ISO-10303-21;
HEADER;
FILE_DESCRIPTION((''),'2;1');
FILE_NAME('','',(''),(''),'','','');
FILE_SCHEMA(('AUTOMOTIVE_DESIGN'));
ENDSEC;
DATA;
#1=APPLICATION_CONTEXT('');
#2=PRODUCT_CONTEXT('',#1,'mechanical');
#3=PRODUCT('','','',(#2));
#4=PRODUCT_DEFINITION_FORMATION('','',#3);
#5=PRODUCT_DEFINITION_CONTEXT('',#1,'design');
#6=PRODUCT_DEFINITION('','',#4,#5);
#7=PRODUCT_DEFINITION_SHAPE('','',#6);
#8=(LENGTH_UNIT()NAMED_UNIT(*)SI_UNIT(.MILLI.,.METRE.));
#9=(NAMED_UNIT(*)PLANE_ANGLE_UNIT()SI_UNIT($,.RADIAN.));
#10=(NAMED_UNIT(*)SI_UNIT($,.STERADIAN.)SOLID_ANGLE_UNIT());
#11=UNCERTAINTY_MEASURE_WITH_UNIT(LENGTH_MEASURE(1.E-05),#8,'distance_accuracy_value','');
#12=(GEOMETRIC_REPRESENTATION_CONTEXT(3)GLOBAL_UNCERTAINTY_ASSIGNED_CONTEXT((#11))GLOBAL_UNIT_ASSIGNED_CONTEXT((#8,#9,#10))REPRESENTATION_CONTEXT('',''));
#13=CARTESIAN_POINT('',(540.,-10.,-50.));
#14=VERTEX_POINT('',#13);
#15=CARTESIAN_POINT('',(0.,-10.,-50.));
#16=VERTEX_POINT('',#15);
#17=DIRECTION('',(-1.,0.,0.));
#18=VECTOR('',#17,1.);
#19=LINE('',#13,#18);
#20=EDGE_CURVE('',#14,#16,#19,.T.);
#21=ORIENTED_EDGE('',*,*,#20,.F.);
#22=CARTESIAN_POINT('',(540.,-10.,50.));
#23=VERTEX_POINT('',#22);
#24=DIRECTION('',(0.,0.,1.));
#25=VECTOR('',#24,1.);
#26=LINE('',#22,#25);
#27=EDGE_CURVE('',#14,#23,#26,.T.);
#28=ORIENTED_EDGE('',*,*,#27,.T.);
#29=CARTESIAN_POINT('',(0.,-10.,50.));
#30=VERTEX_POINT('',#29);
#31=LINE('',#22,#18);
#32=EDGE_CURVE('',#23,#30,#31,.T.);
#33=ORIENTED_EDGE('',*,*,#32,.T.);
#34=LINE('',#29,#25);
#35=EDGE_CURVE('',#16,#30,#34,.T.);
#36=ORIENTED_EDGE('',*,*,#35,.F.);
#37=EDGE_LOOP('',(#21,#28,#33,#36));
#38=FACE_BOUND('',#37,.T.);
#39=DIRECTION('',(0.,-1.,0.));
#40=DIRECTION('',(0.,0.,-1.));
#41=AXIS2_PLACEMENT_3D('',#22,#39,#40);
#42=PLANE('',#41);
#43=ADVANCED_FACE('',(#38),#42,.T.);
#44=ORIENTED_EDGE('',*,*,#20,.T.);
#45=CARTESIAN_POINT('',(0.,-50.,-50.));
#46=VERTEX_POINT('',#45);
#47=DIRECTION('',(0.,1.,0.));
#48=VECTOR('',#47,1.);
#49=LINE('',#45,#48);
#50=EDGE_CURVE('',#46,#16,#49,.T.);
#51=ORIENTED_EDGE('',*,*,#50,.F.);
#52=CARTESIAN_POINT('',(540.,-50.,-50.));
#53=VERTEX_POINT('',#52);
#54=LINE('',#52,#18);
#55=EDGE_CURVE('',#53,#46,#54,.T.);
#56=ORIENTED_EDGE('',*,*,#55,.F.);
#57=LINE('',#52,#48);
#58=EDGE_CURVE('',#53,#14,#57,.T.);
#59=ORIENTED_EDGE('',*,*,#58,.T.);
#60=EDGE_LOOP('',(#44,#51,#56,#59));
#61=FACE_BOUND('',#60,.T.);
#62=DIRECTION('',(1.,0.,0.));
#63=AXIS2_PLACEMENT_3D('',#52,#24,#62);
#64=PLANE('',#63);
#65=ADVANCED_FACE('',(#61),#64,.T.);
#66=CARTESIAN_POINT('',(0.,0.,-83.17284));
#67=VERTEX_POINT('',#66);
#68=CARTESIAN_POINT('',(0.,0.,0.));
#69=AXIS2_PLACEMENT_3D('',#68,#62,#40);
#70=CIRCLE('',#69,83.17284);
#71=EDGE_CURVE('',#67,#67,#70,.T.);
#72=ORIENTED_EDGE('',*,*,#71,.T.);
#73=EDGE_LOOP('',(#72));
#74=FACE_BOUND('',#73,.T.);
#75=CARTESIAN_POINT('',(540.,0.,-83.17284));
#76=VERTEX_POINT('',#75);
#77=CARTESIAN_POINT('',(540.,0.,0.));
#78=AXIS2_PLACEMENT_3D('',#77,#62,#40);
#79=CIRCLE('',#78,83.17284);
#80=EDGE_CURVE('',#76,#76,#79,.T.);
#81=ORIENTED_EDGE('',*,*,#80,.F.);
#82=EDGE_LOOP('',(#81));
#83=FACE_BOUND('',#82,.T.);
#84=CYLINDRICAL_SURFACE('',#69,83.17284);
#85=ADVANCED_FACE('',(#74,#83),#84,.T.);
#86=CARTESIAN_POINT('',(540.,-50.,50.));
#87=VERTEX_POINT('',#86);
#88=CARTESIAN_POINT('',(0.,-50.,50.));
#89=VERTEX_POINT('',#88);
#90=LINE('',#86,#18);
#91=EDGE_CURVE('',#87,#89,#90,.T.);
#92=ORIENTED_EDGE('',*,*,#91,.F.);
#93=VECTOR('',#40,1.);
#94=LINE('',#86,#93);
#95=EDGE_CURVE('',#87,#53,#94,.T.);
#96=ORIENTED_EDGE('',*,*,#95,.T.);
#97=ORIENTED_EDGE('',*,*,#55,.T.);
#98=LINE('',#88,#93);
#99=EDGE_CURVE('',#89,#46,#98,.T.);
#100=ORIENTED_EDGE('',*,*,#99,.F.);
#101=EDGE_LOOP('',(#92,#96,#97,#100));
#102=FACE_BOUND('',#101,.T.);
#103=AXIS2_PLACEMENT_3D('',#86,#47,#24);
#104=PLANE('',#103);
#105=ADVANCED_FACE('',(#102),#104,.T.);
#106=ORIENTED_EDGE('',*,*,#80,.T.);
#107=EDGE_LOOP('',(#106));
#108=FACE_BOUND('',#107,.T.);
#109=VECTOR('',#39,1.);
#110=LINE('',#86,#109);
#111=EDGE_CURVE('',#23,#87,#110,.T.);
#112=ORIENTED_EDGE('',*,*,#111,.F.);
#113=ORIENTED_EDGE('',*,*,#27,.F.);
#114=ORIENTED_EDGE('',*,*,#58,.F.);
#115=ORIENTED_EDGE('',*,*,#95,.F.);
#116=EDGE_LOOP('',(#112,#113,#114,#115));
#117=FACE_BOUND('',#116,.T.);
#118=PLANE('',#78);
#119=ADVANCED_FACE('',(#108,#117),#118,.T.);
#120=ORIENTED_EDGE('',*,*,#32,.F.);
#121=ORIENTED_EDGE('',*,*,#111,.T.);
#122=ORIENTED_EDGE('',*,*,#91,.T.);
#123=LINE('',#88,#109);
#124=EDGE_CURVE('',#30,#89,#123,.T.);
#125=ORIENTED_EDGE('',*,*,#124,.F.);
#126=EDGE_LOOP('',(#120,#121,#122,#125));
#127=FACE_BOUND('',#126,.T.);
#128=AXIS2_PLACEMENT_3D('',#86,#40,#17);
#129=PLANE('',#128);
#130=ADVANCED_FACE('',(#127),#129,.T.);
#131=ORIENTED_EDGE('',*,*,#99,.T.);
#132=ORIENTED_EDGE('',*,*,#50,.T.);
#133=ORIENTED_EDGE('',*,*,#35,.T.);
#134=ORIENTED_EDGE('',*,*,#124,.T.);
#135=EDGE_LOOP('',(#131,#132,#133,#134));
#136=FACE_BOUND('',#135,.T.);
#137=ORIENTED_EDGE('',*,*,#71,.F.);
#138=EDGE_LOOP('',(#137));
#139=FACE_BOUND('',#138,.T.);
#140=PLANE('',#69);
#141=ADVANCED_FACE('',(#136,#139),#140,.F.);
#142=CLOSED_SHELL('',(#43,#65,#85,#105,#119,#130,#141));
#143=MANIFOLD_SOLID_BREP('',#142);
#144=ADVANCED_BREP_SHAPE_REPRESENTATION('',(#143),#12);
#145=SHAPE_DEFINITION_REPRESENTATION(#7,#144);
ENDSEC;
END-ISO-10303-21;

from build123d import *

# Parameters (mm, degrees)
SKETCH1_R           = 93.17284
SKETCH1_W           = 100
SKETCH1_H           = 40
BOSS_EXTRUDE1_DEPTH = 540
SKETCH2_OUTSIDE_W   = 308.52
SKETCH2_OUTSIDE_H   = 308.52
SKETCH2_OUTSIDE_R   = 83.17284
CUT_EXTRUDE2_DEPTH  = 541


with BuildPart() as part:
    # Sketch1 → Boss-Extrude1 (new body)
    with BuildSketch(Plane(origin=(0, 0, 0), x_dir=(0, 0, -1), z_dir=(1, 0, 0))):
        Circle(SKETCH1_R)
        with Locations((0, -30)):
            Rectangle(SKETCH1_W, SKETCH1_H, mode=Mode.SUBTRACT)
    extrude(amount=BOSS_EXTRUDE1_DEPTH)

    # Sketch2 outside → Cut-Extrude2 (cut, through all)
    with BuildSketch(Plane(origin=(540, 0, 0), x_dir=(0, 0, -1), z_dir=(1, 0, 0))):
        Rectangle(SKETCH2_OUTSIDE_W, SKETCH2_OUTSIDE_H)
        Circle(SKETCH2_OUTSIDE_R, mode=Mode.SUBTRACT)
    extrude(amount=-CUT_EXTRUDE2_DEPTH, mode=Mode.SUBTRACT)


solid = part.part
